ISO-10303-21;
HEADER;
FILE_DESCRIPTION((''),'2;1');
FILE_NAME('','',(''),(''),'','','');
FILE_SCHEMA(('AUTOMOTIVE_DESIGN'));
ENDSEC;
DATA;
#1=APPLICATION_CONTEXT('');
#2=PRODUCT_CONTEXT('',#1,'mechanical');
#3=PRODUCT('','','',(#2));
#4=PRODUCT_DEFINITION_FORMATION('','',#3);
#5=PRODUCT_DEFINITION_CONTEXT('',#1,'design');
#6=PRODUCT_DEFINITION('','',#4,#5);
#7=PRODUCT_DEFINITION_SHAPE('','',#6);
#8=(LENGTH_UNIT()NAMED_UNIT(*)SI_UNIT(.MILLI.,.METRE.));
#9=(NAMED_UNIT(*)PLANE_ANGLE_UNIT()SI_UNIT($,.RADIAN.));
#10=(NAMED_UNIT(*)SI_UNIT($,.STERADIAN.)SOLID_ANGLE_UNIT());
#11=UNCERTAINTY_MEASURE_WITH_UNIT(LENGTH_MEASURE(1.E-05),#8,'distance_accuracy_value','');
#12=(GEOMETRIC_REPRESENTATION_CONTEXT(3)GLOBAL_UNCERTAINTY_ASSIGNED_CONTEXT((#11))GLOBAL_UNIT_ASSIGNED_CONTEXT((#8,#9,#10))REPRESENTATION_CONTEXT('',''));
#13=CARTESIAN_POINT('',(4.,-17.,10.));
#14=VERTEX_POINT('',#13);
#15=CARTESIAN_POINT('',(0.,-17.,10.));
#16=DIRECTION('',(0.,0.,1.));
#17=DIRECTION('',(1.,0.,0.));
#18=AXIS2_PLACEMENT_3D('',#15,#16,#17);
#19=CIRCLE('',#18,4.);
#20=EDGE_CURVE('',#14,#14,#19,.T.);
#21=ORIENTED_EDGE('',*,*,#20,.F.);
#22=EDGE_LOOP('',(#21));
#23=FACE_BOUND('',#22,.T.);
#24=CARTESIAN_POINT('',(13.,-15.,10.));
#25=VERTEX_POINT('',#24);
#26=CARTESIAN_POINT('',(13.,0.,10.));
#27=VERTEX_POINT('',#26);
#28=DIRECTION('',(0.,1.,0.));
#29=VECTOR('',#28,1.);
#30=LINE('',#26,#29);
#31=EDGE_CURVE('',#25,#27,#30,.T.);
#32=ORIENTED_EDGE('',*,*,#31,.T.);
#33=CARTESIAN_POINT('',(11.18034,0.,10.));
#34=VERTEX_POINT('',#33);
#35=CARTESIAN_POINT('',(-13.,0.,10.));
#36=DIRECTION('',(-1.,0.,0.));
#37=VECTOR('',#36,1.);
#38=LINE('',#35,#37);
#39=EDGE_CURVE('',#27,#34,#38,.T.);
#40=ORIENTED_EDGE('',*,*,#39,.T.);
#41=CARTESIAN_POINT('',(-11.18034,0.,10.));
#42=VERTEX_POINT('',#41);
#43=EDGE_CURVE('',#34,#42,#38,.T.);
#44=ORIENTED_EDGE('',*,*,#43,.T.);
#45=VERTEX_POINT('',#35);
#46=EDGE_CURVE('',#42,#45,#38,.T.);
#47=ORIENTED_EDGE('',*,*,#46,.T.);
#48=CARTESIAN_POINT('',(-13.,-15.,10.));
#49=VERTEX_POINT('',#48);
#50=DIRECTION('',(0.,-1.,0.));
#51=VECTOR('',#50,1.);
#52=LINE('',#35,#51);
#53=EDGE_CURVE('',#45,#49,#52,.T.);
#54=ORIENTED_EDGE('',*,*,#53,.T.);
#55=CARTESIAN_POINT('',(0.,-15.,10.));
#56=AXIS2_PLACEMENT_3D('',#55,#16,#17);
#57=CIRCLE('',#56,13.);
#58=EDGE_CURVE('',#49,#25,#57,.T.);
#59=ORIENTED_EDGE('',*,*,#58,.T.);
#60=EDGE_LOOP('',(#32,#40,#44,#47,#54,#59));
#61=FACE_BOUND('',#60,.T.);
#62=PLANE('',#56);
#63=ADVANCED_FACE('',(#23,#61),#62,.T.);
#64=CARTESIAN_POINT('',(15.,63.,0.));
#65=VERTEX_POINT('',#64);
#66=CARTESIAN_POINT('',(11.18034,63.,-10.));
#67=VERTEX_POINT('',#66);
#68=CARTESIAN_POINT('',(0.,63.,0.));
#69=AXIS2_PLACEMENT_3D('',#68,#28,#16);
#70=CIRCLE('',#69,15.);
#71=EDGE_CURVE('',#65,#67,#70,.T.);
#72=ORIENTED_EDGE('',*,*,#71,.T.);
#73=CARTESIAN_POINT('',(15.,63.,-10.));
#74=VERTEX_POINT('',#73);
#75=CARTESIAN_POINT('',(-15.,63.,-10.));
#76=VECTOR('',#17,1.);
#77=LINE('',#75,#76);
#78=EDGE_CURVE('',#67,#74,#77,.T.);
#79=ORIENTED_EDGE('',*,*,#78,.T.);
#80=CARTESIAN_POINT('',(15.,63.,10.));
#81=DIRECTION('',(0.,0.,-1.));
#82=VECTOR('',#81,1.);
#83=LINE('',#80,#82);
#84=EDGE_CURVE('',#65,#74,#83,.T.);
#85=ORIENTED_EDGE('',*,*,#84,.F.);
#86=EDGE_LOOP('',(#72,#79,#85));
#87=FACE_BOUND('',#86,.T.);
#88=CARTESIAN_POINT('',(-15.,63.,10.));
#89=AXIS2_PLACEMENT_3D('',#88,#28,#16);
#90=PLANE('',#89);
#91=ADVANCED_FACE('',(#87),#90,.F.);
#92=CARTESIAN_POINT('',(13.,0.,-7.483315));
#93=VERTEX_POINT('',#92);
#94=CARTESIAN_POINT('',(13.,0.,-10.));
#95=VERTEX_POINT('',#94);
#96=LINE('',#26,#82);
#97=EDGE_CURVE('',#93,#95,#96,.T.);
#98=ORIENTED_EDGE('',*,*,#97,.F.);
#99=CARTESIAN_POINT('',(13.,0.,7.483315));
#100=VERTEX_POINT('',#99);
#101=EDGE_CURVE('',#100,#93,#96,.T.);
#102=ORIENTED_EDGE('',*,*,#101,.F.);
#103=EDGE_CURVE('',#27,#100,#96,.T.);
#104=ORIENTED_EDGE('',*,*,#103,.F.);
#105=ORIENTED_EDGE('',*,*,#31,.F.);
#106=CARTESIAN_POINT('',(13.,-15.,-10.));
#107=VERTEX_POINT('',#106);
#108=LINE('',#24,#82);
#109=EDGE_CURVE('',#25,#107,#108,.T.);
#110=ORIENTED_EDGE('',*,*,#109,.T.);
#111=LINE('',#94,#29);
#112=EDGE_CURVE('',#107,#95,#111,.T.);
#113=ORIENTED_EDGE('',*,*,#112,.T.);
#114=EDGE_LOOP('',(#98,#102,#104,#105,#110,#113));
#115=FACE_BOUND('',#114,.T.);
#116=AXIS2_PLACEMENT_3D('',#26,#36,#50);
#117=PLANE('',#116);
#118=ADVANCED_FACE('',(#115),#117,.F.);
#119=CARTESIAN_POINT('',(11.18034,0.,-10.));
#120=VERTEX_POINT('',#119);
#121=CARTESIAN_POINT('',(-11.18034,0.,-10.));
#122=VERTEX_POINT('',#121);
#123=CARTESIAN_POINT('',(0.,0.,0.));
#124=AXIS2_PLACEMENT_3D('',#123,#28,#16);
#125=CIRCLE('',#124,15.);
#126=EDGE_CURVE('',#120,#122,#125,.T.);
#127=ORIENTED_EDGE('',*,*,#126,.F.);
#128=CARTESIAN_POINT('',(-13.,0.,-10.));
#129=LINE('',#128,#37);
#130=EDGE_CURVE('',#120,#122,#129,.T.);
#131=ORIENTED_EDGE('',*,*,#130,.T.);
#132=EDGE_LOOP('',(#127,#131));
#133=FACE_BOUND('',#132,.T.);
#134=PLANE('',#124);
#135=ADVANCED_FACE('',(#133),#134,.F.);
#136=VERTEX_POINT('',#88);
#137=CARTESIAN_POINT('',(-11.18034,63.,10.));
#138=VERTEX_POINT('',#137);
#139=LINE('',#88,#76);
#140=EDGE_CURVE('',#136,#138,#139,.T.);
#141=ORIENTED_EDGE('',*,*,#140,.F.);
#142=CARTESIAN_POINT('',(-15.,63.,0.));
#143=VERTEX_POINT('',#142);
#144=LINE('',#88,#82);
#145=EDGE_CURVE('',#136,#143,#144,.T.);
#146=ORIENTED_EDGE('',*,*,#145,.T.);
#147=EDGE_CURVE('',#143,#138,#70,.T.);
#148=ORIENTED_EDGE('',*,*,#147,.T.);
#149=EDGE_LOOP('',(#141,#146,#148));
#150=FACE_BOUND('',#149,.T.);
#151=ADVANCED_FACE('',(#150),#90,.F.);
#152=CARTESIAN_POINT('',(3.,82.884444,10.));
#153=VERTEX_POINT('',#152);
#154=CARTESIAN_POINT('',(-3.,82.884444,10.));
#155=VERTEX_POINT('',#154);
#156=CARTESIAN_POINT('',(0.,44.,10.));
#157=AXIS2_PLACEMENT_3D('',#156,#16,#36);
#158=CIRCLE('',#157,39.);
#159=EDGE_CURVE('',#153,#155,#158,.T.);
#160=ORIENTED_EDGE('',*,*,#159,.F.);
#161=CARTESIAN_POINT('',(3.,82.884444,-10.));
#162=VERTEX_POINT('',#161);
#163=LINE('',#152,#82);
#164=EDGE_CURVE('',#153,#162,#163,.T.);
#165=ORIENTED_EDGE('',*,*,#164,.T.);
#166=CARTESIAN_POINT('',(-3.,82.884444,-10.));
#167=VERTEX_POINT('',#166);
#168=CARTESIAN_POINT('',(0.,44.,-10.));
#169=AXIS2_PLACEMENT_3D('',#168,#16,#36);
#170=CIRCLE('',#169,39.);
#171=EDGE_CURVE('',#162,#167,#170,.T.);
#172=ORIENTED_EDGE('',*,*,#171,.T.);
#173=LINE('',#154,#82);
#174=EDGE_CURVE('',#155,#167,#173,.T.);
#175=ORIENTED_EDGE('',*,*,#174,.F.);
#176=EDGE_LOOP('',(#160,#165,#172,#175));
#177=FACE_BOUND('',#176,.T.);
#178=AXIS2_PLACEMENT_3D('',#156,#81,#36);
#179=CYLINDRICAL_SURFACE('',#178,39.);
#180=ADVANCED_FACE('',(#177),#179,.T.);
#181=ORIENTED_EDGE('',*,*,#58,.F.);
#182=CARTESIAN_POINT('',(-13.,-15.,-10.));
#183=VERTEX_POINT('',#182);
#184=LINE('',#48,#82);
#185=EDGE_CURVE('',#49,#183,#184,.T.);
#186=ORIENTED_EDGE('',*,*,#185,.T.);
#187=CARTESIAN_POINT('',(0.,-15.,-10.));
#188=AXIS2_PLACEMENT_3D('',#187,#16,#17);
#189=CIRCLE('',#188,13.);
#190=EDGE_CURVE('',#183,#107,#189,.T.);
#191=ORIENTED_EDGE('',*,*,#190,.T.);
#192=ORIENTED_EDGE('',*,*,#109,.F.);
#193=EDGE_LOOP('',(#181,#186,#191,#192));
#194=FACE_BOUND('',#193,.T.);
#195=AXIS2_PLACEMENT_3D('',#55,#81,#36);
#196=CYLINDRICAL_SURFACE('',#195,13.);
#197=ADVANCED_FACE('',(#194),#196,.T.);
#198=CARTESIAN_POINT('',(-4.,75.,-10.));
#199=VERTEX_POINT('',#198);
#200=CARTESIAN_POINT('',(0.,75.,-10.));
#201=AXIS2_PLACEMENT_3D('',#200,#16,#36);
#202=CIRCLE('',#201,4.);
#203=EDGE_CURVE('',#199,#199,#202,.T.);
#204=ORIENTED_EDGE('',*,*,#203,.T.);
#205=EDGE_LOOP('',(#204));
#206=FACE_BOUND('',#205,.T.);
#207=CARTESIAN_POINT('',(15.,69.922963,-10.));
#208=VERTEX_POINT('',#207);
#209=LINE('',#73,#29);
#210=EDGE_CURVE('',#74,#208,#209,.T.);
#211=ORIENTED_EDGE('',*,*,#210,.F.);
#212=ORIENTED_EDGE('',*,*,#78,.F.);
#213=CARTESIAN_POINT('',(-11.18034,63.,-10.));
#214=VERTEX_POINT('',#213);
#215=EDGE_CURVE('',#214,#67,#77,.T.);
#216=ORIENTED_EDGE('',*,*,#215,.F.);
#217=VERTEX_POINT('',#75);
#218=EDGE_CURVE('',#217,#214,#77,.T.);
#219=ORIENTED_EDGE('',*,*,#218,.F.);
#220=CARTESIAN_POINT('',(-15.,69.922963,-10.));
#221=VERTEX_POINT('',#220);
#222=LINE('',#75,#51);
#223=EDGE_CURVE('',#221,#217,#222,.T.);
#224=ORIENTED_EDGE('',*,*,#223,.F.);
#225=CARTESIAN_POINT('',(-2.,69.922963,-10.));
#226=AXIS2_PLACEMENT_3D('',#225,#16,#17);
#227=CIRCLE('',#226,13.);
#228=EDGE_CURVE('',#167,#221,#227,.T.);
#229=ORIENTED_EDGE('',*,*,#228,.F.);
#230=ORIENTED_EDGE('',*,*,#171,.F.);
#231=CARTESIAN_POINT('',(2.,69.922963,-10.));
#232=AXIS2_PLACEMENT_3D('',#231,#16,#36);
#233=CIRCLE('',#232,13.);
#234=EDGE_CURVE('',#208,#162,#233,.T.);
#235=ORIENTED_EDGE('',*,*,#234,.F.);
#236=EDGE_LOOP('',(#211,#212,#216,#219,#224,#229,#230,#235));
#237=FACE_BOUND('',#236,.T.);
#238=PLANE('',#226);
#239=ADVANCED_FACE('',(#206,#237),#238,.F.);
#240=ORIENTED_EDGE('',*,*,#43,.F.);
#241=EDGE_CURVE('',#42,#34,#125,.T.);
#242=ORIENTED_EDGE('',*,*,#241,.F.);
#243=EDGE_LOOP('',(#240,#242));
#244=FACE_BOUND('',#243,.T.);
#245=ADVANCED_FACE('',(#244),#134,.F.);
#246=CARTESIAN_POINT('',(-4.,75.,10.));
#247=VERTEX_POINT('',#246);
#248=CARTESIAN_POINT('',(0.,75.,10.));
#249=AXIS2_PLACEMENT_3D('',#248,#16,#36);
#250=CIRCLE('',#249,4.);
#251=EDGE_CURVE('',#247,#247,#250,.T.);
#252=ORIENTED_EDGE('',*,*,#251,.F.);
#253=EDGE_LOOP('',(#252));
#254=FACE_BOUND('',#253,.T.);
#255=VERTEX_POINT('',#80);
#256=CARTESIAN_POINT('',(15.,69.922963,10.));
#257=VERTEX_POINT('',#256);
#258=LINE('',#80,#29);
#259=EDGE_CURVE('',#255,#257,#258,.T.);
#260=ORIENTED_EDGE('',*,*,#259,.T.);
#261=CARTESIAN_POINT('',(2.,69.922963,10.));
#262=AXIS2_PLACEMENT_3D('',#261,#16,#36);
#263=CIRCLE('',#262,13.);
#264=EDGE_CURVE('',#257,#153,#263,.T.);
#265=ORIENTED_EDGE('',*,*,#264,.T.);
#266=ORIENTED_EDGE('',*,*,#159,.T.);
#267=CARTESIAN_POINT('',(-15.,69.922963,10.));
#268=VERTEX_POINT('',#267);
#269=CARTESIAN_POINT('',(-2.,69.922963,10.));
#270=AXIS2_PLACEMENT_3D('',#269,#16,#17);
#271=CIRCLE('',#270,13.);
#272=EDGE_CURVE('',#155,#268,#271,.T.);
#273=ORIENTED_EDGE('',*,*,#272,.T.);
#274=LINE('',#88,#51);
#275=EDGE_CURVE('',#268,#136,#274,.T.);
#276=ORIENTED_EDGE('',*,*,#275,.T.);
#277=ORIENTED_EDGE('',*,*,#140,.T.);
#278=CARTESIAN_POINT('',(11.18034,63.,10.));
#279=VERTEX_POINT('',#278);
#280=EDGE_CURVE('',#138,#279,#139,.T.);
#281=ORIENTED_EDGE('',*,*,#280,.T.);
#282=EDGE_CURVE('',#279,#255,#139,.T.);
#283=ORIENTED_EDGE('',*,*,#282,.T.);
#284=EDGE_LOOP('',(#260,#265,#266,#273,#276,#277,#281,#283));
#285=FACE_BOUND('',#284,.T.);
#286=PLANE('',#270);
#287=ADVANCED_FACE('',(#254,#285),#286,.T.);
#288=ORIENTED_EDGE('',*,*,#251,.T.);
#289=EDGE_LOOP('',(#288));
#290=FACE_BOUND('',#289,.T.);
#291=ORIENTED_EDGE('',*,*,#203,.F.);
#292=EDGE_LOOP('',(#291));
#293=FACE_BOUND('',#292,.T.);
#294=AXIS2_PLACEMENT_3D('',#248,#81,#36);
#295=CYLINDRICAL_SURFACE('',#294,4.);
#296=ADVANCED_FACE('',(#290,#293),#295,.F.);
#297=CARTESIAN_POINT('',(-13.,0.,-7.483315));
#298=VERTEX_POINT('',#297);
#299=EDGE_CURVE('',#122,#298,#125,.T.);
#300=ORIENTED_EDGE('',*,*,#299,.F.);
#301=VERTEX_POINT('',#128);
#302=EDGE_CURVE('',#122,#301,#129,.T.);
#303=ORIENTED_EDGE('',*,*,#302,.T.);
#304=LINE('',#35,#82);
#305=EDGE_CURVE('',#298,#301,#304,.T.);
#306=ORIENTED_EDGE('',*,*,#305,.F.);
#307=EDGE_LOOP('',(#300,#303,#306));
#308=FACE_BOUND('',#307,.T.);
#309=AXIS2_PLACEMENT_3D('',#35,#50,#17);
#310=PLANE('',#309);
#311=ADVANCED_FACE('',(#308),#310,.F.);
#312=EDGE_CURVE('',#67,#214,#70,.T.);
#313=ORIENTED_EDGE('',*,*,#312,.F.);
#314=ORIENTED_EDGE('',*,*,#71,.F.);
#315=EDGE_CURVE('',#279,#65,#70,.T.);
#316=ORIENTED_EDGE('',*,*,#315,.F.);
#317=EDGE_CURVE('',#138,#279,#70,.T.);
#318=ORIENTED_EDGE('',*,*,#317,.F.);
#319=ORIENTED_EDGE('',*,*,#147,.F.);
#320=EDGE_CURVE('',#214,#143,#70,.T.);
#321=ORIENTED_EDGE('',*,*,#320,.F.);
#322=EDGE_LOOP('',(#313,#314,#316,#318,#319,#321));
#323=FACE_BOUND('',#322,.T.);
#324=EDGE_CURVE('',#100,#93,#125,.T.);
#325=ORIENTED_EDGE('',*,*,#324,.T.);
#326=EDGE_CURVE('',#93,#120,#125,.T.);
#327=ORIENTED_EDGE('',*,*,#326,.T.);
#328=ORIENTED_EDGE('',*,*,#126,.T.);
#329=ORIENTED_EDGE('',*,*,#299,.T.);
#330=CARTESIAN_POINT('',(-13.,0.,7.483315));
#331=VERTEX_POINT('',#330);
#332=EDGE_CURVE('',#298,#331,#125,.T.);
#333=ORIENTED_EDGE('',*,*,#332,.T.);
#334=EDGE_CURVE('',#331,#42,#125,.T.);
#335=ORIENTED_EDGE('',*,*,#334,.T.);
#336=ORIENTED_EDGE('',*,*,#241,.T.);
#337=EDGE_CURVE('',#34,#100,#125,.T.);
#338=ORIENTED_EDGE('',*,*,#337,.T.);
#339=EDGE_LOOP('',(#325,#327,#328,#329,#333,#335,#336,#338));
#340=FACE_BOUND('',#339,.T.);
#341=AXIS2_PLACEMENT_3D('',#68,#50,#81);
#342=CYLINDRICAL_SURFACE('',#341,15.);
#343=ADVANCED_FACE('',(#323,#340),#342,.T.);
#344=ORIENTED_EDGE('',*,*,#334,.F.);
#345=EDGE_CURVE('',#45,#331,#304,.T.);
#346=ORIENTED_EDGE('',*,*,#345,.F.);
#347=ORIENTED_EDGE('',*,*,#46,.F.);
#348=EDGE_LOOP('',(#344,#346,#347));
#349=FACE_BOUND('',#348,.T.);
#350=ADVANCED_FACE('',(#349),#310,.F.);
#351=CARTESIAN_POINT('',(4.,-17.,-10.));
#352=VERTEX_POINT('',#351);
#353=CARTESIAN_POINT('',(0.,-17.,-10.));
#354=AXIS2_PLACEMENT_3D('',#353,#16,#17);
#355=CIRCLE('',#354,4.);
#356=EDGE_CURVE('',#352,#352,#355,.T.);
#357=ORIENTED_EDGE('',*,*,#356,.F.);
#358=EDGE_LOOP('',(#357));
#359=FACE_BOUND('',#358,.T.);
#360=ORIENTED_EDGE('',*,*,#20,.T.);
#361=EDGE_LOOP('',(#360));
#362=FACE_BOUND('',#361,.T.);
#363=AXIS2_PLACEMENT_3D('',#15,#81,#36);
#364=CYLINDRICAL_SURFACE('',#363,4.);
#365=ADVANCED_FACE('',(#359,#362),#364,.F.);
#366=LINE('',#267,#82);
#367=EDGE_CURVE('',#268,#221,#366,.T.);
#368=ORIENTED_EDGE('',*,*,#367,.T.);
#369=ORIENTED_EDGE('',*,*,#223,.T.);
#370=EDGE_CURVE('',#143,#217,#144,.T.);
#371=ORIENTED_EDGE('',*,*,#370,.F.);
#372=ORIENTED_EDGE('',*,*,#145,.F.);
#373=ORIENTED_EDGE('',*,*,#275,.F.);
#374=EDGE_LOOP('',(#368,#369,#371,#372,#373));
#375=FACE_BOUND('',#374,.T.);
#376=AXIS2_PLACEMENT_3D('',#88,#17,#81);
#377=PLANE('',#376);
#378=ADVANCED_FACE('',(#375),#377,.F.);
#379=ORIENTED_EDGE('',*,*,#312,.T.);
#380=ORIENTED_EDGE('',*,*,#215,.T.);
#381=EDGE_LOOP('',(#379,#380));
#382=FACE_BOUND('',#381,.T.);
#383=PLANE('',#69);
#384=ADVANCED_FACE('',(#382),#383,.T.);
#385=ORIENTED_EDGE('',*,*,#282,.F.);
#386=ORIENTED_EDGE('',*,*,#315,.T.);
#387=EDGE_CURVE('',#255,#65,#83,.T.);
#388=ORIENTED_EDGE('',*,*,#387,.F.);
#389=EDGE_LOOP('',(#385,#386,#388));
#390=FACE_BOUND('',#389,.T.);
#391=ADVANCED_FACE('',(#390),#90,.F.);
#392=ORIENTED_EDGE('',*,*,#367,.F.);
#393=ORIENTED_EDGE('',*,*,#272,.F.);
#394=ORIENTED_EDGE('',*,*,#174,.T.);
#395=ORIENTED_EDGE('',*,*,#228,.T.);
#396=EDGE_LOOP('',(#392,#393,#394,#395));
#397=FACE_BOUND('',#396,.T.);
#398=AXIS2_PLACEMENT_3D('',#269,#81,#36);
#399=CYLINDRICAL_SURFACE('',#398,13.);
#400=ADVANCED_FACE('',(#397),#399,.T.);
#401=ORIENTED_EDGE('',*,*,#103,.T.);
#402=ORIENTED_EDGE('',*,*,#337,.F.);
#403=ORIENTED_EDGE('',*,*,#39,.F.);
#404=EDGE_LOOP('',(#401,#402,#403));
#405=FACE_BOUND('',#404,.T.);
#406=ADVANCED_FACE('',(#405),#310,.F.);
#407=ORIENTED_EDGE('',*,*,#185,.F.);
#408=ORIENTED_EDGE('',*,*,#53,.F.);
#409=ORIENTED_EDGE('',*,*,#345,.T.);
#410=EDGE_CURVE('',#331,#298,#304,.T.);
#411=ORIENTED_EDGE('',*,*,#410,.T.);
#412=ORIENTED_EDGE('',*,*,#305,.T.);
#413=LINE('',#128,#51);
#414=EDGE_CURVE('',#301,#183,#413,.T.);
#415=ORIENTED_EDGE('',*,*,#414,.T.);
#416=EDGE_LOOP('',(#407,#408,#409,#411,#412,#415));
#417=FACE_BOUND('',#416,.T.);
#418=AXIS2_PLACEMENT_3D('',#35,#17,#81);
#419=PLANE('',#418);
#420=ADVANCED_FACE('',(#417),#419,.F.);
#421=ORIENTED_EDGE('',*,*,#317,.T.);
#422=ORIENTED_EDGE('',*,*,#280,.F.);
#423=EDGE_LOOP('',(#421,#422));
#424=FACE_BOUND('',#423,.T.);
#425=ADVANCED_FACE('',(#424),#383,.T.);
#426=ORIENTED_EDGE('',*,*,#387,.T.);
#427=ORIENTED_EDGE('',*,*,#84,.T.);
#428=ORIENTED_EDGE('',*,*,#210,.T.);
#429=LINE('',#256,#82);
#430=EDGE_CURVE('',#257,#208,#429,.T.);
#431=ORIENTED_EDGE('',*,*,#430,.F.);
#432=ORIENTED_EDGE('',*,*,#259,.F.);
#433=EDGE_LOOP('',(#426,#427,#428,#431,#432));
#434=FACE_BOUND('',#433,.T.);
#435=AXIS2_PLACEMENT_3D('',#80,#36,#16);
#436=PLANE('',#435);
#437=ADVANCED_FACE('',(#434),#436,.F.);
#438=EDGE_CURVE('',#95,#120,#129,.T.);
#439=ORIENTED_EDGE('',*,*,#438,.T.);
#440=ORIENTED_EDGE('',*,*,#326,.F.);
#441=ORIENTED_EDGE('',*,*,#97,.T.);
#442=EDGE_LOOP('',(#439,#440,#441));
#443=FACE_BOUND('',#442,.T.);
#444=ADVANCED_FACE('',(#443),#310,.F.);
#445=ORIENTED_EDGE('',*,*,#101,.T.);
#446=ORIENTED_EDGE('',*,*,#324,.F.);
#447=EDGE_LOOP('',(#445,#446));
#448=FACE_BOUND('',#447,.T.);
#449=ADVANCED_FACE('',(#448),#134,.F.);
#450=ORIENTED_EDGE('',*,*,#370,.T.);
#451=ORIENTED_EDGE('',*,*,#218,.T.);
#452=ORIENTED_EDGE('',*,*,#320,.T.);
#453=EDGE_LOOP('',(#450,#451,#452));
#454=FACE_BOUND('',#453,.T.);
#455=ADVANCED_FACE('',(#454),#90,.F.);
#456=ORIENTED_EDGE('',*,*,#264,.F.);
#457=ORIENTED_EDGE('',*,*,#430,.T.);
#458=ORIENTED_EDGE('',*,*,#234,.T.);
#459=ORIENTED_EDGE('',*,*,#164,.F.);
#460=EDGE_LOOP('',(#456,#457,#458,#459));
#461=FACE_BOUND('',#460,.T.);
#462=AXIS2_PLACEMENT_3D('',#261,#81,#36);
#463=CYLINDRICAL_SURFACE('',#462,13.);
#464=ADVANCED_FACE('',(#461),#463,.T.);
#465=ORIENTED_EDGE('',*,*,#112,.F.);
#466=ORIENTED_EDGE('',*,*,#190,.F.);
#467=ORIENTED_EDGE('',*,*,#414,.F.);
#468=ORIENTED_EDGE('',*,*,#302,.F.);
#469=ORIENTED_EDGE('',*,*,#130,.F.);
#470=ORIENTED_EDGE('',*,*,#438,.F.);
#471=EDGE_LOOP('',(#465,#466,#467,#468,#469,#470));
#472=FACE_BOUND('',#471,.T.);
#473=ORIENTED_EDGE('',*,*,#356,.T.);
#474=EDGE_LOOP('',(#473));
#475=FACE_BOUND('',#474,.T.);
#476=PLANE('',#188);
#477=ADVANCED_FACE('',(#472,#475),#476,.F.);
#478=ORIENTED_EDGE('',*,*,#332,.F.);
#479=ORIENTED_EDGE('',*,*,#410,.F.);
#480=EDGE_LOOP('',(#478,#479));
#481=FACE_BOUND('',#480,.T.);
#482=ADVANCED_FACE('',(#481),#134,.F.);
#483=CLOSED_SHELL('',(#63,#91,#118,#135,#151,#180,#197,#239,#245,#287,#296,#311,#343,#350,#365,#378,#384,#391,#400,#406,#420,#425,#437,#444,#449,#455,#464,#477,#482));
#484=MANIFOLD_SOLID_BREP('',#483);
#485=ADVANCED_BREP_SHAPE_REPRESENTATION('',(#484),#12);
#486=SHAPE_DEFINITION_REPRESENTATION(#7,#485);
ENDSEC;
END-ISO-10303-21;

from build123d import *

# Parameters (mm, degrees)
SKETCH1_R           = 15
BOSS_EXTRUDE1_DEPTH = 63
SKETCH3_R           = 4
BOSS_EXTRUDE2_DEPTH = 10


with BuildPart() as part:
    # Sketch1 → Boss-Extrude1 (new body)
    with BuildSketch(Plane(origin=(0, 0, 0), x_dir=(1, 0, 0), z_dir=(0, 1, 0))):
        Circle(SKETCH1_R)
    extrude(amount=BOSS_EXTRUDE1_DEPTH)

    # Sketch3 → Boss-Extrude2 (add, symmetric)
    with BuildSketch(Plane.XY):
        with BuildLine():
            Line((-13, 0), (-13, -15))
            ThreePointArc((-13, -15), (0, -28), (13, -15))
            Line((13, -15), (13, 0))
            Line((13, 0), (-13, 0))
        make_face()
        with Locations((0, -17)):
            Circle(SKETCH3_R, mode=Mode.SUBTRACT)
        with BuildLine():
            Line((-15, 63), (15, 63))
            Line((15, 63), (15, 69.922962794))
            ThreePointArc((15, 69.922962794), (11.539392014, 78.75472366), (3, 82.88444419))
            ThreePointArc((3, 82.88444419), (0, 83), (-3, 82.88444419))
            ThreePointArc((-3, 82.88444419), (-11.539392014, 78.75472366), (-15, 69.922962794))
            Line((-15, 69.922962794), (-15, 63))
        make_face()
        with Locations((0, 75)):
            Circle(SKETCH3_R, mode=Mode.SUBTRACT)
    extrude(amount=BOSS_EXTRUDE2_DEPTH, both=True)


solid = part.part
